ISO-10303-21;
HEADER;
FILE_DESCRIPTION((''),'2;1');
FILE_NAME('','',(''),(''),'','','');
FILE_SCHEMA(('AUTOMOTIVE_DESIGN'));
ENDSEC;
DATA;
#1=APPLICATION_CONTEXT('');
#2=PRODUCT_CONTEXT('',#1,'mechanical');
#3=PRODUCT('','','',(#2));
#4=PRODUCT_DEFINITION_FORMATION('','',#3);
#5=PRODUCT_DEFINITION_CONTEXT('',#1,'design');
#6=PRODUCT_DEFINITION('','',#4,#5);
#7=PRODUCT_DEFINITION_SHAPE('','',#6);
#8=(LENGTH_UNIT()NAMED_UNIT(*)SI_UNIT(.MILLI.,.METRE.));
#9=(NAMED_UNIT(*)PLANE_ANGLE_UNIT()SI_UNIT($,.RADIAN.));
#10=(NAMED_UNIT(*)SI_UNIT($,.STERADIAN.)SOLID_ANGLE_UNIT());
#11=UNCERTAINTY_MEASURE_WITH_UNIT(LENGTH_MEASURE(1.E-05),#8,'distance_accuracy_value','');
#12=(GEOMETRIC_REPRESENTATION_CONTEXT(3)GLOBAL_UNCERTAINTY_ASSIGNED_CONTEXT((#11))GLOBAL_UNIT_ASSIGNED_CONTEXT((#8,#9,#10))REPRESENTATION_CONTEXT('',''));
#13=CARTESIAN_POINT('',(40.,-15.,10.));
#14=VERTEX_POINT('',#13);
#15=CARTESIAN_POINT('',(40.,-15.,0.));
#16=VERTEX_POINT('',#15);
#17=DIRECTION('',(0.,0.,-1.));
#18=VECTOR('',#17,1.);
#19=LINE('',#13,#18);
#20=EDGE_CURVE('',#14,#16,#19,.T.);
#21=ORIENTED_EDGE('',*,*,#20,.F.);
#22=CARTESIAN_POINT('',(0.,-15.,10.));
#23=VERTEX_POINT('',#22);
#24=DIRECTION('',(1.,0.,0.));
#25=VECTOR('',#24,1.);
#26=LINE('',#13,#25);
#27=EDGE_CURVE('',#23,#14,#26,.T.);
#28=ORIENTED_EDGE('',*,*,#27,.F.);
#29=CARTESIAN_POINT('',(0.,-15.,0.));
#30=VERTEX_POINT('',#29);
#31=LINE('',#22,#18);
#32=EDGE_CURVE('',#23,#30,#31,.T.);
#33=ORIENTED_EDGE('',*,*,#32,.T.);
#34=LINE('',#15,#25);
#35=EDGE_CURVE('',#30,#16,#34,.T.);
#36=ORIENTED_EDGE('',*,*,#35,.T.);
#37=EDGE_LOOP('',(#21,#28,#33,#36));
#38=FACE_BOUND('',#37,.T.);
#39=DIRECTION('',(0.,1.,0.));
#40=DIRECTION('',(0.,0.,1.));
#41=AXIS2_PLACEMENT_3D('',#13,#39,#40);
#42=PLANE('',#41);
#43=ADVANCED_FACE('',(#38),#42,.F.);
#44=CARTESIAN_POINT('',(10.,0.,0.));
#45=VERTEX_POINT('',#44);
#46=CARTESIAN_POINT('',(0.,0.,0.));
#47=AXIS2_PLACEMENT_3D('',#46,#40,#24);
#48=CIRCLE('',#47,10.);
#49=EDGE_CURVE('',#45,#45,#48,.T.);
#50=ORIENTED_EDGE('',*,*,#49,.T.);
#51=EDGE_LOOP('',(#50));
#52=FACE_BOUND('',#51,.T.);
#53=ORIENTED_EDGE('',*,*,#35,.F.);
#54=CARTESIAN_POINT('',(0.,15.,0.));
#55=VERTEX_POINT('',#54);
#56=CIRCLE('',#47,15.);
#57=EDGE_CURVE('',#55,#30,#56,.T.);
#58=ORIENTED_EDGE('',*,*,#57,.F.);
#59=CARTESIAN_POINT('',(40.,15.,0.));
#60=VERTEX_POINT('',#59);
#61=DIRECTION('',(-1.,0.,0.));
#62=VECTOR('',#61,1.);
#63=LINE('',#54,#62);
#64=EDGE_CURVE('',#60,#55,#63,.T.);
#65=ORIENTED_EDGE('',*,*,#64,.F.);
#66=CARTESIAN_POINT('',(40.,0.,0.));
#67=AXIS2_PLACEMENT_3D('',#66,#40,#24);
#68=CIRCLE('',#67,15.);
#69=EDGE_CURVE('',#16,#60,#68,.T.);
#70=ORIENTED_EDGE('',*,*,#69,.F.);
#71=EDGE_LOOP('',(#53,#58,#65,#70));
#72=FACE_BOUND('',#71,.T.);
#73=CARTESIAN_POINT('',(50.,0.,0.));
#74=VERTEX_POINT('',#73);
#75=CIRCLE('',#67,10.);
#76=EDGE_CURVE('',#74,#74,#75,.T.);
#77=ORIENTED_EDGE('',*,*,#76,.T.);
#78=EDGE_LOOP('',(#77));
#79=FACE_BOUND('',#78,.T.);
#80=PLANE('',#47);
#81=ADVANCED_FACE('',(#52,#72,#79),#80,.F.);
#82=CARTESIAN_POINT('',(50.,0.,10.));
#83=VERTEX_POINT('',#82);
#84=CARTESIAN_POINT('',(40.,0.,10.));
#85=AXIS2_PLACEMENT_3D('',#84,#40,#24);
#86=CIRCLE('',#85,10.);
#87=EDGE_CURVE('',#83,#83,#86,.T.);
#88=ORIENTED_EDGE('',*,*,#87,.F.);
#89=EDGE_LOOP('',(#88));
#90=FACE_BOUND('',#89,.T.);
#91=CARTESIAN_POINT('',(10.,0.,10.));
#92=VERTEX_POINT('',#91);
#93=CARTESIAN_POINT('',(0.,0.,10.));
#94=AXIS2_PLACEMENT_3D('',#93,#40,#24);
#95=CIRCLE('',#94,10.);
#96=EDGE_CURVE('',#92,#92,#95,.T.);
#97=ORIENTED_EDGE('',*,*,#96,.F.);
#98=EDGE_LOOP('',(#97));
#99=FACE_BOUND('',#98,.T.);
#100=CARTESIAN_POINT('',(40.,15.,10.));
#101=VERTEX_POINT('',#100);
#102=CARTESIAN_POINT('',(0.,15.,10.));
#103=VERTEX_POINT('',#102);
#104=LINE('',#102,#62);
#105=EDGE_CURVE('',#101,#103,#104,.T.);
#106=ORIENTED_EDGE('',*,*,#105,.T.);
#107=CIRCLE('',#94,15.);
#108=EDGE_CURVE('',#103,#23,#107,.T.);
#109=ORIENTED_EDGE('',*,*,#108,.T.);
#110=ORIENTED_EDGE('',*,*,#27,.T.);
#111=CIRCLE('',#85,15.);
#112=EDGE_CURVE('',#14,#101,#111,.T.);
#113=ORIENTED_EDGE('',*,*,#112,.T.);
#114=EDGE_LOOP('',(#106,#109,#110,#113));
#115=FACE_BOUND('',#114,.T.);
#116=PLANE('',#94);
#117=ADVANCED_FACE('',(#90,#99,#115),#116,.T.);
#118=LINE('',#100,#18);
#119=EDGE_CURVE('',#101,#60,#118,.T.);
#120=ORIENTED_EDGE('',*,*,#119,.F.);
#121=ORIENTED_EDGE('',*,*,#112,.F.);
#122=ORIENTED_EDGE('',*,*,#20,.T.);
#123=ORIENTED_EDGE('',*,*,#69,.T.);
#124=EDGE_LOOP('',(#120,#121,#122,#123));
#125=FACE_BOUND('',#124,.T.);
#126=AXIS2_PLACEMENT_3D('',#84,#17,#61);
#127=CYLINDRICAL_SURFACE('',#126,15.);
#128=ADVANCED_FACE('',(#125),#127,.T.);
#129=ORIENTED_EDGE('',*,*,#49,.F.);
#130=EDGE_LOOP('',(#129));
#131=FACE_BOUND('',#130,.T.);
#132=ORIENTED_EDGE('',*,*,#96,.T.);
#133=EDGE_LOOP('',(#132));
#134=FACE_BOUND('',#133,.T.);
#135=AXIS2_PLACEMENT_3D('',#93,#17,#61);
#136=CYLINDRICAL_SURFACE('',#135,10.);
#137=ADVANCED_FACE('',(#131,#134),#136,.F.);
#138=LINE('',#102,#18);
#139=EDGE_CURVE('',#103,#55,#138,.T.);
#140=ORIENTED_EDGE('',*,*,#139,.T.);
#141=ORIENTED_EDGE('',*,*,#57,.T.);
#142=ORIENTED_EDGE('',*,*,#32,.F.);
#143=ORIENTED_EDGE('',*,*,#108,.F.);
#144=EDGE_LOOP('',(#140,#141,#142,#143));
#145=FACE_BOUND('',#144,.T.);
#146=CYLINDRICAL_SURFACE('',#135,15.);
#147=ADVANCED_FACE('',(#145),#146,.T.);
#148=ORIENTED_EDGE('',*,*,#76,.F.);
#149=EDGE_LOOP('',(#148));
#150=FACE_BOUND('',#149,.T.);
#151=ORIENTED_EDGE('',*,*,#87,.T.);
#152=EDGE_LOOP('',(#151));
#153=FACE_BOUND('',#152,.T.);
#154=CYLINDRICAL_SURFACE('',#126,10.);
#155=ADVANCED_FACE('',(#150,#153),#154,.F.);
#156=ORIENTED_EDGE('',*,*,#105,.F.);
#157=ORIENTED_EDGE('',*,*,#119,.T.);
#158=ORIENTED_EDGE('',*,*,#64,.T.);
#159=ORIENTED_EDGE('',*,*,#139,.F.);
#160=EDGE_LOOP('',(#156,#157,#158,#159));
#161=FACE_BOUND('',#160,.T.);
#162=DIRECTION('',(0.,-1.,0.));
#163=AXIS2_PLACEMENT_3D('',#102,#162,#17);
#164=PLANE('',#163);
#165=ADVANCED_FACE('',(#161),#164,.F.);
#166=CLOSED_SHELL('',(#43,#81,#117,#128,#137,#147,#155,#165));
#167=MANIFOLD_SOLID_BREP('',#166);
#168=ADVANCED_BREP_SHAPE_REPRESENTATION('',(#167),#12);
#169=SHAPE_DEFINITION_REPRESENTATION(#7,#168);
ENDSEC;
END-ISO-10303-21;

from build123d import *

# Parameters (mm, degrees)
SKETCH1_R           = 10
BOSS_EXTRUDE1_DEPTH = 10


with BuildPart() as part:
    # Sketch1 → Boss-Extrude1 (new body)
    with BuildSketch(Plane.XY):
        with BuildLine():
            Line((0, 15), (40, 15))
            ThreePointArc((40, 15), (55, 0), (40, -15))
            Line((40, -15), (0, -15))
            ThreePointArc((0, -15), (-15, 0), (0, 15))
        make_face()
        Circle(SKETCH1_R, mode=Mode.SUBTRACT)
        with Locations((40, 0)):
            Circle(SKETCH1_R, mode=Mode.SUBTRACT)
    extrude(amount=BOSS_EXTRUDE1_DEPTH)


solid = part.part
